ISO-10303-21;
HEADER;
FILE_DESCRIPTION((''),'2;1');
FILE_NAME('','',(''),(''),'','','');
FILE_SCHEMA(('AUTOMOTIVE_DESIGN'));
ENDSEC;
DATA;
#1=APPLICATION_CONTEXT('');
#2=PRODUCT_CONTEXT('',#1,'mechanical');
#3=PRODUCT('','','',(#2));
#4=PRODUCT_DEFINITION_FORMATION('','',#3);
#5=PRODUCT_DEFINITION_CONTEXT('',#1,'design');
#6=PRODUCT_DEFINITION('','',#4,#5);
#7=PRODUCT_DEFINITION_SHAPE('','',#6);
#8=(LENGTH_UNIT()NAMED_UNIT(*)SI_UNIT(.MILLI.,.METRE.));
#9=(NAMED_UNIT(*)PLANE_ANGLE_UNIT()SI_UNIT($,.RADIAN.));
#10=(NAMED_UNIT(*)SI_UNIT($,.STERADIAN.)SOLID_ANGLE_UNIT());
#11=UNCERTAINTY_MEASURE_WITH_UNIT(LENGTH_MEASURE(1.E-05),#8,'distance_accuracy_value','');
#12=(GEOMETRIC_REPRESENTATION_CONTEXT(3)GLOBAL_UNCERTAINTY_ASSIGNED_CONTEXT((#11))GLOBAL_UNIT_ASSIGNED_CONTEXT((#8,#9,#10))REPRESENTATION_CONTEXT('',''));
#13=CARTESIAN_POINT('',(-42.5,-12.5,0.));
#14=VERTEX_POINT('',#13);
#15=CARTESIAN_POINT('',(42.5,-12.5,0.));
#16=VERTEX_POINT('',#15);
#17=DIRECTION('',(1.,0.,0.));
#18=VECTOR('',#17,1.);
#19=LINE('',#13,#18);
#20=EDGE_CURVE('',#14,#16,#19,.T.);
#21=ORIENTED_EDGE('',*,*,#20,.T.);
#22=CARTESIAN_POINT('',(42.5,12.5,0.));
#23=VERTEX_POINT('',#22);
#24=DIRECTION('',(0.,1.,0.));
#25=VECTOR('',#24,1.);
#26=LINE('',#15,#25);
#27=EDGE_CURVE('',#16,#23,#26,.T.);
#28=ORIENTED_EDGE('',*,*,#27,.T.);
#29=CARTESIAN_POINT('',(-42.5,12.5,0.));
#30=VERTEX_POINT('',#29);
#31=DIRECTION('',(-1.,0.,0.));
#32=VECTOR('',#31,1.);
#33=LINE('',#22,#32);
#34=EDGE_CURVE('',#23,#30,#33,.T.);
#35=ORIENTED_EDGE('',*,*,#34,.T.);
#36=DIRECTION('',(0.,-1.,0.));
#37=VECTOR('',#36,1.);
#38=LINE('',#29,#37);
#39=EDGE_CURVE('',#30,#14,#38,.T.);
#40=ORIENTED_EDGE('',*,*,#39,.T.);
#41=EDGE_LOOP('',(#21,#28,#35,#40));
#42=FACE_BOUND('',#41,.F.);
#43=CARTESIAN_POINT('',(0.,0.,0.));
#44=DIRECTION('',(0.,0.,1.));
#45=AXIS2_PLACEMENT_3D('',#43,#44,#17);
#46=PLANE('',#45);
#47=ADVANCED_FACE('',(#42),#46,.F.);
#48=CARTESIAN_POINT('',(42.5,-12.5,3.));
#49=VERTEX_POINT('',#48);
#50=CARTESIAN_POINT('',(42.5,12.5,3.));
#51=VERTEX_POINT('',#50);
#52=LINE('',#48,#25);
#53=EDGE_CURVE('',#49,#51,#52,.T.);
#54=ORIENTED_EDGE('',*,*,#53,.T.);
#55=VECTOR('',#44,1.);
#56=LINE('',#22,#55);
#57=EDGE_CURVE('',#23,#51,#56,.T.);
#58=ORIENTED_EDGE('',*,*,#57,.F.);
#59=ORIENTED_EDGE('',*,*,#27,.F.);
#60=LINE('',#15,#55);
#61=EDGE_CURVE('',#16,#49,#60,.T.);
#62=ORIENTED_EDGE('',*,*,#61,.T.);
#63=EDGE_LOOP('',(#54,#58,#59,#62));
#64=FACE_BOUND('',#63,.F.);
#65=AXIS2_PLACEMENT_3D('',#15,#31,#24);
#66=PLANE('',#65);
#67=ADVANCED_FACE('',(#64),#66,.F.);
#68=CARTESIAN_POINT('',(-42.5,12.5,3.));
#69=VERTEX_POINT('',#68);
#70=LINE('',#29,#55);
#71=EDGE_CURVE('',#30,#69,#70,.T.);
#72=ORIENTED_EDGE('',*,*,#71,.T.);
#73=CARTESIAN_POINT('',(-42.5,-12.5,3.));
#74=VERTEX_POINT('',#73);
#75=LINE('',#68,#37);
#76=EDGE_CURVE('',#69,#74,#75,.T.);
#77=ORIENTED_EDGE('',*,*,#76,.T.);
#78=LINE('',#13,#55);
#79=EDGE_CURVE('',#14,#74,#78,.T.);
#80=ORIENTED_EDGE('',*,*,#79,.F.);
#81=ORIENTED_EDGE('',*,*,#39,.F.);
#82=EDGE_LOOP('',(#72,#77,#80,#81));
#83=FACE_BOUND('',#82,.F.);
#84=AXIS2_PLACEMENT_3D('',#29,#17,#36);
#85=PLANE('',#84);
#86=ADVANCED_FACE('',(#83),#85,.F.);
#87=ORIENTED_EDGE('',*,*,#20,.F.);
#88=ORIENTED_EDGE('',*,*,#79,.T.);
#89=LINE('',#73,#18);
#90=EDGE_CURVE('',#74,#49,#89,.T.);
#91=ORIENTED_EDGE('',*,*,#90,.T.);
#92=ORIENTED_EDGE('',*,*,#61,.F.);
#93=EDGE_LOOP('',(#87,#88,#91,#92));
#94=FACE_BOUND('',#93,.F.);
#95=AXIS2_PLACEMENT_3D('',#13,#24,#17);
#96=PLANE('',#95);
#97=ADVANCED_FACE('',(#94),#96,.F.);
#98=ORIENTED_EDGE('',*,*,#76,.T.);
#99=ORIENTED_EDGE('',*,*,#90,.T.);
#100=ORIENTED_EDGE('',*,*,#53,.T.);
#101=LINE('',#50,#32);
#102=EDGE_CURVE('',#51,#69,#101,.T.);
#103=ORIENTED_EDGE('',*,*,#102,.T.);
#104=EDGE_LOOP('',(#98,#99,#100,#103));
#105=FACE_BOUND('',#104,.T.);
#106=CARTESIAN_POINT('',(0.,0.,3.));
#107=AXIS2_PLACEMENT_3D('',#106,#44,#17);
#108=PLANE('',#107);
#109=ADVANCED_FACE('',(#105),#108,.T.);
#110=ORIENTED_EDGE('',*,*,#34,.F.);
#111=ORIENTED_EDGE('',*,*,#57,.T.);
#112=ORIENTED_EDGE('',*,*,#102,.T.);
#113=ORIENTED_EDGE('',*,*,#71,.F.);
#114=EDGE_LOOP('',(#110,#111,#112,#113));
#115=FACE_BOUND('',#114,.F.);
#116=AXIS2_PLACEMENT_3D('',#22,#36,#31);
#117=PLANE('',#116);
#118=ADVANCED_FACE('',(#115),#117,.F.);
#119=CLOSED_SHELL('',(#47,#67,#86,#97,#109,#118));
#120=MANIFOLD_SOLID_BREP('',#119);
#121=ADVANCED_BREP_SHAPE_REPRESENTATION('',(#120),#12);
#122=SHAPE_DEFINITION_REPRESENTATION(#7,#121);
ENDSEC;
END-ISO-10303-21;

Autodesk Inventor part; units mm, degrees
ref_plane "YZ Plane" through (0, 0, 0) normal (1, 0, 0) x (0, 1, 0)
ref_plane "XZ Plane" through (0, 0, 0) normal (0, 1, 0) x (-1, 0, 0)
ref_plane "XY Plane" through (0, 0, 0) normal (0, 0, 1) x (1, 0, 0)
sketch "Sketch1" plane through (0, 0, 0) normal (0, 0, 1) x (1, 0, 0)
  line L0 (-42.5, -12.5) -> (42.5, -12.5)
  line L1 (42.5, -12.5) -> (42.5, 12.5)
  line L2 (42.5, 12.5) -> (-42.5, 12.5)
  line L3 (-42.5, 12.5) -> (-42.5, -12.5)
  line L4 (-42.5, -12.5) -> (42.5, 12.5) construction
  line L5 (42.5, -12.5) -> (-42.5, 12.5) construction
  point P0 (0, 0)
  dimension "d0" = 85
  dimension "d1" = 25
extrude "Extrusion1" add sketch "Sketch1" along normal blind 3
properties part number "wall extension"
